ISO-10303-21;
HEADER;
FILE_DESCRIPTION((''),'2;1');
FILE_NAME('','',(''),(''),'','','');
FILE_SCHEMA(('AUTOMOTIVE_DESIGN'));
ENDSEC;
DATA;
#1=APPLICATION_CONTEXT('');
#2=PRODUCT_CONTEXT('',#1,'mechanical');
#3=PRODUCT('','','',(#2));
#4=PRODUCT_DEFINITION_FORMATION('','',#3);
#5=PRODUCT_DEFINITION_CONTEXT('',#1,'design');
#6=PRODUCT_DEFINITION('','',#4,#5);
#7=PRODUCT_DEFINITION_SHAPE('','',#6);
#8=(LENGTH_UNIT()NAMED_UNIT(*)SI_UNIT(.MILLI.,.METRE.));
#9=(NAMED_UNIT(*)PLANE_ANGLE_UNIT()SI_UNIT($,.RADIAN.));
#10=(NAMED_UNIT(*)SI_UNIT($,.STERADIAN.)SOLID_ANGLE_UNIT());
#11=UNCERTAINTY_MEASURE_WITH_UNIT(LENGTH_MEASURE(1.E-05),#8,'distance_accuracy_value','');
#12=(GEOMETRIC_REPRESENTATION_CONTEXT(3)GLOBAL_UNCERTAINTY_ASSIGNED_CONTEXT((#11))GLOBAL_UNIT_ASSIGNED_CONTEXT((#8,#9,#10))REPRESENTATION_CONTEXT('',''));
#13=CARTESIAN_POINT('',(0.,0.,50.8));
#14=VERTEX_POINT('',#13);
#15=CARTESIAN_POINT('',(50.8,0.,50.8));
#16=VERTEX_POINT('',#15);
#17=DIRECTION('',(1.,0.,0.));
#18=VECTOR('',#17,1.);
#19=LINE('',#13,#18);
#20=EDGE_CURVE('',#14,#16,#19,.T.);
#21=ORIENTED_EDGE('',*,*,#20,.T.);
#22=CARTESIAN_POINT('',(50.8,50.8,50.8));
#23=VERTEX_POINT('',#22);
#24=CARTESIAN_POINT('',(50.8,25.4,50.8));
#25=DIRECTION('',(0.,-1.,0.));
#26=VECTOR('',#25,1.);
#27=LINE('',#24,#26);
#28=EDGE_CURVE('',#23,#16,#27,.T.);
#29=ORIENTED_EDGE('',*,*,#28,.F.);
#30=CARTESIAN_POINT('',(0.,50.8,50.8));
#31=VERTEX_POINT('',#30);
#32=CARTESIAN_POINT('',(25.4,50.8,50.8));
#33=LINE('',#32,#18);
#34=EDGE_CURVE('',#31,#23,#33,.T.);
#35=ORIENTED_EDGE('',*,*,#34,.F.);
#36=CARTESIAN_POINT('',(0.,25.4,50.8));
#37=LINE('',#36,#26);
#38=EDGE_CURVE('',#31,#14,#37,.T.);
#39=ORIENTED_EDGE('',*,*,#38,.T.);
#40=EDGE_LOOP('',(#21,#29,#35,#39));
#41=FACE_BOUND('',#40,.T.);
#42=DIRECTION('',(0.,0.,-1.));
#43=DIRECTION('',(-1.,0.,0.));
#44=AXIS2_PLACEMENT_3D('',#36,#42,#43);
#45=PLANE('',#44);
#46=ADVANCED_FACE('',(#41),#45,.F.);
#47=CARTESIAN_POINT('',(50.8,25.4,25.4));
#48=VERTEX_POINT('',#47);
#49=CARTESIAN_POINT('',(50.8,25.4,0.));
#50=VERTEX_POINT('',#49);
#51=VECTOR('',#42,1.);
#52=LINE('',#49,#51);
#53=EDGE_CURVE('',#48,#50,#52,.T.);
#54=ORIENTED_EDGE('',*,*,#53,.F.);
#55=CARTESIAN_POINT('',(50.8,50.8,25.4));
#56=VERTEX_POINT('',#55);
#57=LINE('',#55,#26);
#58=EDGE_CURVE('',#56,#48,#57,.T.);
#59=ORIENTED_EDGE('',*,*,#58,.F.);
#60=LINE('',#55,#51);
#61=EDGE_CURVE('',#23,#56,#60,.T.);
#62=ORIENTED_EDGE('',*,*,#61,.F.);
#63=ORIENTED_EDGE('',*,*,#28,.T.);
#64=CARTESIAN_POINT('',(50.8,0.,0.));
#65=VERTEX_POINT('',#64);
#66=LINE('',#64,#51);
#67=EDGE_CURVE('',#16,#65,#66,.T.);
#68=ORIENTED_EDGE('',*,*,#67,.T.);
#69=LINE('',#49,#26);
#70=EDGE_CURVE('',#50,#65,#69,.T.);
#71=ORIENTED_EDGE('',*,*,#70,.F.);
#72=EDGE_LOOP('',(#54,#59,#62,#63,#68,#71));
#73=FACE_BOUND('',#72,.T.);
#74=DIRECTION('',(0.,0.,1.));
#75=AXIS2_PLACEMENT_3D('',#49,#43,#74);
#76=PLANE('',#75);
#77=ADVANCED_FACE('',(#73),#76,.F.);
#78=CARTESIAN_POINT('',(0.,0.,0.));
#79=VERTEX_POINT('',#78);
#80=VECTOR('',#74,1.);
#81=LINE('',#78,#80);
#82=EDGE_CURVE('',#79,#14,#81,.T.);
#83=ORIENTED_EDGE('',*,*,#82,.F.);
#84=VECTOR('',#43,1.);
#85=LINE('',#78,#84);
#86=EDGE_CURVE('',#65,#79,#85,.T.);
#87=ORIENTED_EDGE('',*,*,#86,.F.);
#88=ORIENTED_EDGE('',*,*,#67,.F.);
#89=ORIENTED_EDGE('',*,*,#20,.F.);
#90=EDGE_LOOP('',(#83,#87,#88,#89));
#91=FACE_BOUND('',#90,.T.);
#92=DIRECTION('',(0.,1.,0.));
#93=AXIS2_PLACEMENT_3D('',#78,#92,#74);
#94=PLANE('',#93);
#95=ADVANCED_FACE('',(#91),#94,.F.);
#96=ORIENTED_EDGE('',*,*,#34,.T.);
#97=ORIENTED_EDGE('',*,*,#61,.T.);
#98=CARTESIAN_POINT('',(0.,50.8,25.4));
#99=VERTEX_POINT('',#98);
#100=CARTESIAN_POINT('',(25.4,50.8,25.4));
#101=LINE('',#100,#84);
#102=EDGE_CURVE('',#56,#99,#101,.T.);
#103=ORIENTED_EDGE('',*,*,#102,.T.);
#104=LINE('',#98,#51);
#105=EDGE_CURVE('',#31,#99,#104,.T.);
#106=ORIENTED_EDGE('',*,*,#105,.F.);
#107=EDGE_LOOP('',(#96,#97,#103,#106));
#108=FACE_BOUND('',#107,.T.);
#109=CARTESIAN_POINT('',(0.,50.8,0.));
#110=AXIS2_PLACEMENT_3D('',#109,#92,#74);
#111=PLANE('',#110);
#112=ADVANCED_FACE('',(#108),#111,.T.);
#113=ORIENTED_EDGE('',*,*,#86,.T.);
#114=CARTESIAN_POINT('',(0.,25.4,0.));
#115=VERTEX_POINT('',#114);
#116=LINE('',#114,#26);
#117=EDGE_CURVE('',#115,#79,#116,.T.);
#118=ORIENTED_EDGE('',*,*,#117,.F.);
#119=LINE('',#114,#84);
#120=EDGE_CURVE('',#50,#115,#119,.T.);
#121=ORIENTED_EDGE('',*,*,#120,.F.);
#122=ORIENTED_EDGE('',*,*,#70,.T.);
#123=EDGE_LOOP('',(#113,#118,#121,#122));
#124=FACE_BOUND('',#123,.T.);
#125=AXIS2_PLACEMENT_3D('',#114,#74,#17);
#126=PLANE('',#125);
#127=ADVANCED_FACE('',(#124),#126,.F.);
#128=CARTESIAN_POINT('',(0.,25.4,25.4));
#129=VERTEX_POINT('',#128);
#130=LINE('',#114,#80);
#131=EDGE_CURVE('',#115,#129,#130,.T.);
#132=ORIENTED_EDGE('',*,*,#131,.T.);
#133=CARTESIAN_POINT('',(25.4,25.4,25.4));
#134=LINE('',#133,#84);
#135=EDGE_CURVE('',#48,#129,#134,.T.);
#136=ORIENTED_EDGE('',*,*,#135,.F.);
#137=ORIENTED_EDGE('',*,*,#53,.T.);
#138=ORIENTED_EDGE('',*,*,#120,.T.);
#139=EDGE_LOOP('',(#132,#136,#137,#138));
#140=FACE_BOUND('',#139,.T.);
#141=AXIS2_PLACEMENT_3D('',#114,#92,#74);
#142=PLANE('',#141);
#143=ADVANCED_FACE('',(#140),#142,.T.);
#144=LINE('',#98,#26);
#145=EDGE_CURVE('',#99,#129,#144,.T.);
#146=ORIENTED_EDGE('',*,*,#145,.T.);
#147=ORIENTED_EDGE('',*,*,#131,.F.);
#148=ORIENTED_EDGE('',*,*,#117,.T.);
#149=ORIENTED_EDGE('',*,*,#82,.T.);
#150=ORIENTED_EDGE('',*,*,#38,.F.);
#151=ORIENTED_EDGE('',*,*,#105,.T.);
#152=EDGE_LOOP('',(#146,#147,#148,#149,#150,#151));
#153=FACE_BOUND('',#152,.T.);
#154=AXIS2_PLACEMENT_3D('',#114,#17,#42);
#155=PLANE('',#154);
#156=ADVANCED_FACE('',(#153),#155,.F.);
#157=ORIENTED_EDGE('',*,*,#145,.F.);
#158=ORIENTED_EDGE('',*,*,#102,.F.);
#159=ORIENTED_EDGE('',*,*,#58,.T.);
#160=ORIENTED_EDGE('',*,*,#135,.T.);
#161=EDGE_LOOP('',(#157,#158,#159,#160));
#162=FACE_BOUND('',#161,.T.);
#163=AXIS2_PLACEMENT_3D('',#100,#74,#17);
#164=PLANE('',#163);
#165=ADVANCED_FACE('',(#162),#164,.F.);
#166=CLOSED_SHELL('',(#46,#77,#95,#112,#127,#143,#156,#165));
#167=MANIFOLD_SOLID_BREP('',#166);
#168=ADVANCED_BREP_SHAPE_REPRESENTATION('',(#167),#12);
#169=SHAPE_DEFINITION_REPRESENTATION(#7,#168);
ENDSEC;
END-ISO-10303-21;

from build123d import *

# Parameters (mm, degrees)
SKETCH1_W           = 50.8
SKETCH1_H           = 50.8
BOSS_EXTRUDE1_DEPTH = 25.4
SKETCH2_W           = 25.4
SKETCH2_H           = 25.4
BOSS_EXTRUDE2_DEPTH = 25.4
SKETCH3_W           = 25.4
SKETCH3_H           = 25.4
BOSS_EXTRUDE3_DEPTH = 25.4


with BuildPart() as part:
    # Sketch1 → Boss-Extrude1 (new body)
    with BuildSketch(Plane(origin=(0, 0, 0), x_dir=(1, 0, 0), z_dir=(0, 1, 0))):
        with Locations((25.4, -25.4)):
            Rectangle(SKETCH1_W, SKETCH1_H)
    extrude(amount=BOSS_EXTRUDE1_DEPTH)

    # Sketch2 → Boss-Extrude2 (add)
    with BuildSketch(Plane(origin=(0, 25.4, 0), x_dir=(1, 0, 0), z_dir=(0, 1, 0))):
        with Locations((38.1, -38.1)):
            Rectangle(SKETCH2_W, SKETCH2_H)
    extrude(amount=BOSS_EXTRUDE2_DEPTH)

    # Sketch3 → Boss-Extrude3 (add)
    with BuildSketch(Plane.ZY.offset(-25.4)):
        with Locations((38.1, 38.1)):
            Rectangle(SKETCH3_W, SKETCH3_H)
    extrude(amount=BOSS_EXTRUDE3_DEPTH)


solid = part.part
